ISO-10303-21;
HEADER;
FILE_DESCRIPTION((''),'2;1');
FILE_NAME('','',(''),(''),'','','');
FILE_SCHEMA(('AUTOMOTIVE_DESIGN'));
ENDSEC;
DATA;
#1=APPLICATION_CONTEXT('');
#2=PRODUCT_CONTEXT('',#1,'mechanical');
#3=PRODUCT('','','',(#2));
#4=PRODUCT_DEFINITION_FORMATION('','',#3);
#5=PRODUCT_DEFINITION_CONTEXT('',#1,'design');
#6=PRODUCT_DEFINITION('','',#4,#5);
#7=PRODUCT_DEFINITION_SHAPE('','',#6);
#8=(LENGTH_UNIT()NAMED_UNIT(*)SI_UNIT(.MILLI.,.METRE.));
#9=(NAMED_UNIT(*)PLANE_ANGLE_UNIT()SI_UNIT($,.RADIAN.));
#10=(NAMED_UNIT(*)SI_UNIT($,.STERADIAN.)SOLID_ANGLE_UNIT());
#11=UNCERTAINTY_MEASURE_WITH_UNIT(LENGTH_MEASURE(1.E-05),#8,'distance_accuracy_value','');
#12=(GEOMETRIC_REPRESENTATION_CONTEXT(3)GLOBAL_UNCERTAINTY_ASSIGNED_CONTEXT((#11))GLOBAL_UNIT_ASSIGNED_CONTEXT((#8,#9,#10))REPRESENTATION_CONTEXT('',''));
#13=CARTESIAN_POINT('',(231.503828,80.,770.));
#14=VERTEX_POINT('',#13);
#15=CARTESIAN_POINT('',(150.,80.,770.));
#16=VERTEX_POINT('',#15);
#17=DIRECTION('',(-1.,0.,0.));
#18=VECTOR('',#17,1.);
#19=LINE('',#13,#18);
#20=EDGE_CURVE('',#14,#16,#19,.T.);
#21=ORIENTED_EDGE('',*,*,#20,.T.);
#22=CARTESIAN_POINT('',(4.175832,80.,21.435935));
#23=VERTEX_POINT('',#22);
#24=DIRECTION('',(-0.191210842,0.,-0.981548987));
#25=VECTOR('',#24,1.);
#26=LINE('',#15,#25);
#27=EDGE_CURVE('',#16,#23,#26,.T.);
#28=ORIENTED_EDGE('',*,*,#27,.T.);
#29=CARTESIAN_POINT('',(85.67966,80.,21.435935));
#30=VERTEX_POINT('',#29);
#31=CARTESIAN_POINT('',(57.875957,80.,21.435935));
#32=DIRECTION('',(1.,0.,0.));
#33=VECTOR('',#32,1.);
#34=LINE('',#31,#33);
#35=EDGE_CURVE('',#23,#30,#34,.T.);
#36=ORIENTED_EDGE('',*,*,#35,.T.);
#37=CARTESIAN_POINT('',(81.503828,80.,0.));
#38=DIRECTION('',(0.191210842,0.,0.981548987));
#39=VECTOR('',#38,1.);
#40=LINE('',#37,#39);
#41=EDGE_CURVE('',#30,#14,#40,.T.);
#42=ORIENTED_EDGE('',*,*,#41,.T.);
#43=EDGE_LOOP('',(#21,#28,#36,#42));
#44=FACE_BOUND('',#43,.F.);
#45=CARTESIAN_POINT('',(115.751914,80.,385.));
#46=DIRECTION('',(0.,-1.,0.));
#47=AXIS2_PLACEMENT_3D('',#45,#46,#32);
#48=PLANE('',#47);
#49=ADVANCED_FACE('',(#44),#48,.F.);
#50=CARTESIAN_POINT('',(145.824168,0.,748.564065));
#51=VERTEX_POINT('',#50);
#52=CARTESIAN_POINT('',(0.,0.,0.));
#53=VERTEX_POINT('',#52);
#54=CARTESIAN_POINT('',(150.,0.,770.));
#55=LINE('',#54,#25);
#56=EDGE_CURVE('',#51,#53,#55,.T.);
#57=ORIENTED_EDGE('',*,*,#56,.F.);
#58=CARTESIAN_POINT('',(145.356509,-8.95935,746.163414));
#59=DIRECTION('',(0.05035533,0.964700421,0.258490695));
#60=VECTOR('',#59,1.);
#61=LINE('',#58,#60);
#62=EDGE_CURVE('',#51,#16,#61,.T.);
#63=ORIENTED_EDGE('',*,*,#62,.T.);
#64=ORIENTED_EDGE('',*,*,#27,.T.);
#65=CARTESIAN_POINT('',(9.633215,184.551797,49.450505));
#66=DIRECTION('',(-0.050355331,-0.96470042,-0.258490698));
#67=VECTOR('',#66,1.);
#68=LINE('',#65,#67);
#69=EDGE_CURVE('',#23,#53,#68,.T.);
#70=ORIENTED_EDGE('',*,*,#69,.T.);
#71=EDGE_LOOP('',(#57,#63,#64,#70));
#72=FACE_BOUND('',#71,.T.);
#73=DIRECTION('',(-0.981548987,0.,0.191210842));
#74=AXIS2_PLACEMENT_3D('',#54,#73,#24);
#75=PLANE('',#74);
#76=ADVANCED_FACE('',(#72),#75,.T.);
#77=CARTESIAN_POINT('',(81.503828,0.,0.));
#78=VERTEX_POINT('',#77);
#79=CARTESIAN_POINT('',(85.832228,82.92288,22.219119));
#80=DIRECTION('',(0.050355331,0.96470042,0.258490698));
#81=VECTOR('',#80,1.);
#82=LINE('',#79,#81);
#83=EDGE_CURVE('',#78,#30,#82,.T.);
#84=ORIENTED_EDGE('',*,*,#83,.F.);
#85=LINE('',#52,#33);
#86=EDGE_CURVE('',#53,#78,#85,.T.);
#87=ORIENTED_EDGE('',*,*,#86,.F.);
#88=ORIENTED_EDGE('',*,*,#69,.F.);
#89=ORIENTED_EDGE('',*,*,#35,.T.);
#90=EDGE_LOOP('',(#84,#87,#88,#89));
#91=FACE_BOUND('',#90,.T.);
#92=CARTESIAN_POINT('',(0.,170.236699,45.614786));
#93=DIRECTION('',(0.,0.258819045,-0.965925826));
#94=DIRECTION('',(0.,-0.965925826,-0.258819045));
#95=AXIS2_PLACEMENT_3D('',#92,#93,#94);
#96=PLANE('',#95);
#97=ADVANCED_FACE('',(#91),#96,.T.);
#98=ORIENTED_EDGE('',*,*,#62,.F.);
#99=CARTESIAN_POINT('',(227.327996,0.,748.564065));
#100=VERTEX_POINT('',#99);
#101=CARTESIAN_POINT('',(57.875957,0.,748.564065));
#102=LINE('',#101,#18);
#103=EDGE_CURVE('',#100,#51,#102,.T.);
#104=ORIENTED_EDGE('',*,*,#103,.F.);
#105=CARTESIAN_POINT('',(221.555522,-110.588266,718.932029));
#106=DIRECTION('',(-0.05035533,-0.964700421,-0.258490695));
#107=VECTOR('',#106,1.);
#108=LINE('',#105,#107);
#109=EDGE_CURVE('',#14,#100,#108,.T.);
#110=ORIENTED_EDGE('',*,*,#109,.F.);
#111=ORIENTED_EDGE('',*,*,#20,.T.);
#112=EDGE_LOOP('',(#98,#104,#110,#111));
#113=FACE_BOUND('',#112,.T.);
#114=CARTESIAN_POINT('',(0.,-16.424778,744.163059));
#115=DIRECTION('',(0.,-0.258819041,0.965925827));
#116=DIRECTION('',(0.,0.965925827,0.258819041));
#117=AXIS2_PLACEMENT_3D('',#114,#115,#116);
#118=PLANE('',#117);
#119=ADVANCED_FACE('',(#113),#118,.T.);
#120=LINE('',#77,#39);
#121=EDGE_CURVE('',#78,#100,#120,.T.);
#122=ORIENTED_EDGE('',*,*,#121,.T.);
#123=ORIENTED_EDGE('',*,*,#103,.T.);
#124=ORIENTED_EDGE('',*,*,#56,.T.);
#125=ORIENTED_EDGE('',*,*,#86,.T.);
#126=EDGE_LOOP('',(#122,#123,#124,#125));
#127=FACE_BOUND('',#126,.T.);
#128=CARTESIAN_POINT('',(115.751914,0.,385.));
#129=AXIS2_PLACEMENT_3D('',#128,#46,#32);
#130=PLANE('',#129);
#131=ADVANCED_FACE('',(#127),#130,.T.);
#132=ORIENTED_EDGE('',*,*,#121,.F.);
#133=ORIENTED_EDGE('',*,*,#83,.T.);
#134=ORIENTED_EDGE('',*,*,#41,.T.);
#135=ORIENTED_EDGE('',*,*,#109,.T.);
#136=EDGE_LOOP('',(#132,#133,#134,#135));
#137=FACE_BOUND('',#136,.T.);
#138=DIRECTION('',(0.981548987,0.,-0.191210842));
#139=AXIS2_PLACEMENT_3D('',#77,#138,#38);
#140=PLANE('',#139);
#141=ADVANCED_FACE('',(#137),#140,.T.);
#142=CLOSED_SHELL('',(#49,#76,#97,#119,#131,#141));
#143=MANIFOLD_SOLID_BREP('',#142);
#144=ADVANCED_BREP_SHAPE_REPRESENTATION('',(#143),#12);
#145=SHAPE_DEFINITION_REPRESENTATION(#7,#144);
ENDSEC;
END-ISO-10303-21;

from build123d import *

# Parameters (mm, degrees)
F1_DEPTH = 80
F3_DEPTH = 300


with BuildPart() as f1:
    # F0 (on Front) → F1 (new body)
    with BuildSketch(Plane.XZ):
        Polygon((150, 770), (0, 0), (81.503828, 0), (231.503828, 770), align=None)
    extrude(amount=-F1_DEPTH)

    # F2 (on Right) → F3 (cut)
    with BuildSketch(Plane.YZ):
        Polygon((170.236699, 45.614786), (0, 0), (170.236699, 0), align=None)
        Polygon((-16.424778, 744.163059), (80, 770), (-16.424778, 770), align=None)
    extrude(amount=F3_DEPTH, mode=Mode.SUBTRACT)


solid = f1.part
